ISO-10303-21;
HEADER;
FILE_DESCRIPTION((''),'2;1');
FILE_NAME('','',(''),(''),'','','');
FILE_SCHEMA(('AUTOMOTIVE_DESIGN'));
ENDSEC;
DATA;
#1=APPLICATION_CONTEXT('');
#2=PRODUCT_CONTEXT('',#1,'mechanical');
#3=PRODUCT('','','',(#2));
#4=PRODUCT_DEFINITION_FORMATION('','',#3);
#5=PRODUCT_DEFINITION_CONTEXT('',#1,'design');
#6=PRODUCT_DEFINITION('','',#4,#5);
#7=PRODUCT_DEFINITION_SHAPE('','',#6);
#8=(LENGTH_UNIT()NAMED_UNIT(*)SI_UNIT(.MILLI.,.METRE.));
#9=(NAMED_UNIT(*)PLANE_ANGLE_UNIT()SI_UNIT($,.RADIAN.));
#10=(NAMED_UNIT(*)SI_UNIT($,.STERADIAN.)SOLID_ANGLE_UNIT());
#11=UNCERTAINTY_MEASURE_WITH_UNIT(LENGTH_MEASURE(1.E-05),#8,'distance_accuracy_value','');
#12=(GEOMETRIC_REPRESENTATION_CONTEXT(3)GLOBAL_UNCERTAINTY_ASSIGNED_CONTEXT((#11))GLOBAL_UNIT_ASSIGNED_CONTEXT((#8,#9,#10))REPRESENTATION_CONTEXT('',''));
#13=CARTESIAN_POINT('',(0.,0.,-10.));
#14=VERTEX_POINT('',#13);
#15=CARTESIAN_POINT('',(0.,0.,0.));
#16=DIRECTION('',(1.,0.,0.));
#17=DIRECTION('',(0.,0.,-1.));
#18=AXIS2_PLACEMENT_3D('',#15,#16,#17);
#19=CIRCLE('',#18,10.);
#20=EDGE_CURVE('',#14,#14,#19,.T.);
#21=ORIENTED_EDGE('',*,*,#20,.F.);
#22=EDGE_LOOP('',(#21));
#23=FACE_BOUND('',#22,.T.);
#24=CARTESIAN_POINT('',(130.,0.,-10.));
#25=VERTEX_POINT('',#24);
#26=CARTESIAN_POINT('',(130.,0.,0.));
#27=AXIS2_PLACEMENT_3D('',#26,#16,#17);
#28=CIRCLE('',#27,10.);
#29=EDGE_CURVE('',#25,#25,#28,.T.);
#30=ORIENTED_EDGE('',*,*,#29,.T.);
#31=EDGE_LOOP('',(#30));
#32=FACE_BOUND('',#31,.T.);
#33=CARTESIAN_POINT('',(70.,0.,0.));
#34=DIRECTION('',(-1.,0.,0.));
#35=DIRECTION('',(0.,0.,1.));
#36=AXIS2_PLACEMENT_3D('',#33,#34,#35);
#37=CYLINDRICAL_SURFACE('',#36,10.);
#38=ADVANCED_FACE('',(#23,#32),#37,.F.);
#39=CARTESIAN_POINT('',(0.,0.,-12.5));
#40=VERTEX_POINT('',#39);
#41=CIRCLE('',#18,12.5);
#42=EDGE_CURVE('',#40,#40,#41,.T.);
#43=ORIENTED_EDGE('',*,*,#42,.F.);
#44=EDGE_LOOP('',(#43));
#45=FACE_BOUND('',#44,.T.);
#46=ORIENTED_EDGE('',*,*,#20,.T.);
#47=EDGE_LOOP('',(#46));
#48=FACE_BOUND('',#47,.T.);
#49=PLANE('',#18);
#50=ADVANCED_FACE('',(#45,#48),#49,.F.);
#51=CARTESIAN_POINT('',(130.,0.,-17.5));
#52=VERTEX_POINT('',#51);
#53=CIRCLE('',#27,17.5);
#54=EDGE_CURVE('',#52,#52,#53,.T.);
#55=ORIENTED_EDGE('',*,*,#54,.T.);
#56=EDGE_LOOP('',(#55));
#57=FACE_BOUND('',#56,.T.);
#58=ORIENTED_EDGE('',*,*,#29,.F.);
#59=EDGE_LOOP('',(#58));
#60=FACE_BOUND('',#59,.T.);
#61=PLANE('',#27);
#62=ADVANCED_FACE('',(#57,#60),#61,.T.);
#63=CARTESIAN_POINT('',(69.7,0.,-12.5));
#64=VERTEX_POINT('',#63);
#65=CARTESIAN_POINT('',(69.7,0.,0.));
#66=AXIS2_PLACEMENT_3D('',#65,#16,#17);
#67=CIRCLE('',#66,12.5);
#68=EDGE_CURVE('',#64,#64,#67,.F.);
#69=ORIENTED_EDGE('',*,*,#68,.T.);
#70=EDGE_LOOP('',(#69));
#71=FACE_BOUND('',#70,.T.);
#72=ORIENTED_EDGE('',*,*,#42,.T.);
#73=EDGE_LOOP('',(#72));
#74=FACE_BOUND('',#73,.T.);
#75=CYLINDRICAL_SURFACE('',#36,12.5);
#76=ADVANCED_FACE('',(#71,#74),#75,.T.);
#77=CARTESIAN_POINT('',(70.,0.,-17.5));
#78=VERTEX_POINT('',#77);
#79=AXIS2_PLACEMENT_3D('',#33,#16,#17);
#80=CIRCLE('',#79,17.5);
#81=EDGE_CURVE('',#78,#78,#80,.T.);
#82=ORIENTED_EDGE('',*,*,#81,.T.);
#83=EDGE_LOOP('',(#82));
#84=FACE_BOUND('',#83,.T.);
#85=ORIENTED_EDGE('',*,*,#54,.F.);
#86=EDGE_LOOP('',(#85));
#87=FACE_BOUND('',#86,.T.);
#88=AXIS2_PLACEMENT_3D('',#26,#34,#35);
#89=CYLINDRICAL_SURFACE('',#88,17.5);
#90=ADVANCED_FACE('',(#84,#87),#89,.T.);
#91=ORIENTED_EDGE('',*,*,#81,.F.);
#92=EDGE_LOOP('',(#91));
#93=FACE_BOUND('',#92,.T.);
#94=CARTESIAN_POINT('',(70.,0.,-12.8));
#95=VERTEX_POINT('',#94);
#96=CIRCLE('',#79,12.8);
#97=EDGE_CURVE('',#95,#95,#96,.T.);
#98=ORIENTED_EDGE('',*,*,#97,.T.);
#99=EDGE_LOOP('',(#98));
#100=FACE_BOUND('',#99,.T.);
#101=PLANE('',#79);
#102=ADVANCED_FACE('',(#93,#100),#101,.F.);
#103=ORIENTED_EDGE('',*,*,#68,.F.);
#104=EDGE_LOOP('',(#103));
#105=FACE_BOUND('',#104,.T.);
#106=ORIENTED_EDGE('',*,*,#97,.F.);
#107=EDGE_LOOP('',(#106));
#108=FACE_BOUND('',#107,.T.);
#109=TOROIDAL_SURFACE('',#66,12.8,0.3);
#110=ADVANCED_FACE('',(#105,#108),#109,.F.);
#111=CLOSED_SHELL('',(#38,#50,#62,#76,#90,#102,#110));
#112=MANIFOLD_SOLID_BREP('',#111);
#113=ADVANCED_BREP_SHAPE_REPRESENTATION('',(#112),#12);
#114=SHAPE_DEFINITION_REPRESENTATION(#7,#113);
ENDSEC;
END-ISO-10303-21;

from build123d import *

# Parameters (mm, degrees)
SZKIC1_R                    = 12.5
SZKIC1_R_2                  = 10
DODANIE_WYCI_GNI_CIE1_DEPTH = 70
SZKIC2_R                    = 17.5
SZKIC2_R_2                  = 10
DODANIE_WYCI_GNI_CIE2_DEPTH = 60
ZAOKR_GLENIE1_R             = 0.3


with BuildPart() as part:
    # Szkic1 → Dodanie-wyciągnięcie1 (new body)
    with BuildSketch(Plane(origin=(0, 0, 0), x_dir=(0, 0, -1), z_dir=(1, 0, 0))):
        Circle(SZKIC1_R)
        Circle(SZKIC1_R_2, mode=Mode.SUBTRACT)
    extrude(amount=DODANIE_WYCI_GNI_CIE1_DEPTH)

    # Szkic2 → Dodanie-wyciągnięcie2 (add)
    with BuildSketch(Plane(origin=(70, 0, 0), x_dir=(0, 0, -1), z_dir=(1, 0, 0))):
        Circle(SZKIC2_R)
        Circle(SZKIC2_R_2, mode=Mode.SUBTRACT)
    extrude(amount=DODANIE_WYCI_GNI_CIE2_DEPTH)

    # Zaokrąglenie1
    zaokr_glenie1_edges = [part.edges().sort_by_distance(p)[0] for p in [
        (70, 0, 12.5),
    ]]
    fillet(zaokr_glenie1_edges, radius=ZAOKR_GLENIE1_R)


solid = part.part
